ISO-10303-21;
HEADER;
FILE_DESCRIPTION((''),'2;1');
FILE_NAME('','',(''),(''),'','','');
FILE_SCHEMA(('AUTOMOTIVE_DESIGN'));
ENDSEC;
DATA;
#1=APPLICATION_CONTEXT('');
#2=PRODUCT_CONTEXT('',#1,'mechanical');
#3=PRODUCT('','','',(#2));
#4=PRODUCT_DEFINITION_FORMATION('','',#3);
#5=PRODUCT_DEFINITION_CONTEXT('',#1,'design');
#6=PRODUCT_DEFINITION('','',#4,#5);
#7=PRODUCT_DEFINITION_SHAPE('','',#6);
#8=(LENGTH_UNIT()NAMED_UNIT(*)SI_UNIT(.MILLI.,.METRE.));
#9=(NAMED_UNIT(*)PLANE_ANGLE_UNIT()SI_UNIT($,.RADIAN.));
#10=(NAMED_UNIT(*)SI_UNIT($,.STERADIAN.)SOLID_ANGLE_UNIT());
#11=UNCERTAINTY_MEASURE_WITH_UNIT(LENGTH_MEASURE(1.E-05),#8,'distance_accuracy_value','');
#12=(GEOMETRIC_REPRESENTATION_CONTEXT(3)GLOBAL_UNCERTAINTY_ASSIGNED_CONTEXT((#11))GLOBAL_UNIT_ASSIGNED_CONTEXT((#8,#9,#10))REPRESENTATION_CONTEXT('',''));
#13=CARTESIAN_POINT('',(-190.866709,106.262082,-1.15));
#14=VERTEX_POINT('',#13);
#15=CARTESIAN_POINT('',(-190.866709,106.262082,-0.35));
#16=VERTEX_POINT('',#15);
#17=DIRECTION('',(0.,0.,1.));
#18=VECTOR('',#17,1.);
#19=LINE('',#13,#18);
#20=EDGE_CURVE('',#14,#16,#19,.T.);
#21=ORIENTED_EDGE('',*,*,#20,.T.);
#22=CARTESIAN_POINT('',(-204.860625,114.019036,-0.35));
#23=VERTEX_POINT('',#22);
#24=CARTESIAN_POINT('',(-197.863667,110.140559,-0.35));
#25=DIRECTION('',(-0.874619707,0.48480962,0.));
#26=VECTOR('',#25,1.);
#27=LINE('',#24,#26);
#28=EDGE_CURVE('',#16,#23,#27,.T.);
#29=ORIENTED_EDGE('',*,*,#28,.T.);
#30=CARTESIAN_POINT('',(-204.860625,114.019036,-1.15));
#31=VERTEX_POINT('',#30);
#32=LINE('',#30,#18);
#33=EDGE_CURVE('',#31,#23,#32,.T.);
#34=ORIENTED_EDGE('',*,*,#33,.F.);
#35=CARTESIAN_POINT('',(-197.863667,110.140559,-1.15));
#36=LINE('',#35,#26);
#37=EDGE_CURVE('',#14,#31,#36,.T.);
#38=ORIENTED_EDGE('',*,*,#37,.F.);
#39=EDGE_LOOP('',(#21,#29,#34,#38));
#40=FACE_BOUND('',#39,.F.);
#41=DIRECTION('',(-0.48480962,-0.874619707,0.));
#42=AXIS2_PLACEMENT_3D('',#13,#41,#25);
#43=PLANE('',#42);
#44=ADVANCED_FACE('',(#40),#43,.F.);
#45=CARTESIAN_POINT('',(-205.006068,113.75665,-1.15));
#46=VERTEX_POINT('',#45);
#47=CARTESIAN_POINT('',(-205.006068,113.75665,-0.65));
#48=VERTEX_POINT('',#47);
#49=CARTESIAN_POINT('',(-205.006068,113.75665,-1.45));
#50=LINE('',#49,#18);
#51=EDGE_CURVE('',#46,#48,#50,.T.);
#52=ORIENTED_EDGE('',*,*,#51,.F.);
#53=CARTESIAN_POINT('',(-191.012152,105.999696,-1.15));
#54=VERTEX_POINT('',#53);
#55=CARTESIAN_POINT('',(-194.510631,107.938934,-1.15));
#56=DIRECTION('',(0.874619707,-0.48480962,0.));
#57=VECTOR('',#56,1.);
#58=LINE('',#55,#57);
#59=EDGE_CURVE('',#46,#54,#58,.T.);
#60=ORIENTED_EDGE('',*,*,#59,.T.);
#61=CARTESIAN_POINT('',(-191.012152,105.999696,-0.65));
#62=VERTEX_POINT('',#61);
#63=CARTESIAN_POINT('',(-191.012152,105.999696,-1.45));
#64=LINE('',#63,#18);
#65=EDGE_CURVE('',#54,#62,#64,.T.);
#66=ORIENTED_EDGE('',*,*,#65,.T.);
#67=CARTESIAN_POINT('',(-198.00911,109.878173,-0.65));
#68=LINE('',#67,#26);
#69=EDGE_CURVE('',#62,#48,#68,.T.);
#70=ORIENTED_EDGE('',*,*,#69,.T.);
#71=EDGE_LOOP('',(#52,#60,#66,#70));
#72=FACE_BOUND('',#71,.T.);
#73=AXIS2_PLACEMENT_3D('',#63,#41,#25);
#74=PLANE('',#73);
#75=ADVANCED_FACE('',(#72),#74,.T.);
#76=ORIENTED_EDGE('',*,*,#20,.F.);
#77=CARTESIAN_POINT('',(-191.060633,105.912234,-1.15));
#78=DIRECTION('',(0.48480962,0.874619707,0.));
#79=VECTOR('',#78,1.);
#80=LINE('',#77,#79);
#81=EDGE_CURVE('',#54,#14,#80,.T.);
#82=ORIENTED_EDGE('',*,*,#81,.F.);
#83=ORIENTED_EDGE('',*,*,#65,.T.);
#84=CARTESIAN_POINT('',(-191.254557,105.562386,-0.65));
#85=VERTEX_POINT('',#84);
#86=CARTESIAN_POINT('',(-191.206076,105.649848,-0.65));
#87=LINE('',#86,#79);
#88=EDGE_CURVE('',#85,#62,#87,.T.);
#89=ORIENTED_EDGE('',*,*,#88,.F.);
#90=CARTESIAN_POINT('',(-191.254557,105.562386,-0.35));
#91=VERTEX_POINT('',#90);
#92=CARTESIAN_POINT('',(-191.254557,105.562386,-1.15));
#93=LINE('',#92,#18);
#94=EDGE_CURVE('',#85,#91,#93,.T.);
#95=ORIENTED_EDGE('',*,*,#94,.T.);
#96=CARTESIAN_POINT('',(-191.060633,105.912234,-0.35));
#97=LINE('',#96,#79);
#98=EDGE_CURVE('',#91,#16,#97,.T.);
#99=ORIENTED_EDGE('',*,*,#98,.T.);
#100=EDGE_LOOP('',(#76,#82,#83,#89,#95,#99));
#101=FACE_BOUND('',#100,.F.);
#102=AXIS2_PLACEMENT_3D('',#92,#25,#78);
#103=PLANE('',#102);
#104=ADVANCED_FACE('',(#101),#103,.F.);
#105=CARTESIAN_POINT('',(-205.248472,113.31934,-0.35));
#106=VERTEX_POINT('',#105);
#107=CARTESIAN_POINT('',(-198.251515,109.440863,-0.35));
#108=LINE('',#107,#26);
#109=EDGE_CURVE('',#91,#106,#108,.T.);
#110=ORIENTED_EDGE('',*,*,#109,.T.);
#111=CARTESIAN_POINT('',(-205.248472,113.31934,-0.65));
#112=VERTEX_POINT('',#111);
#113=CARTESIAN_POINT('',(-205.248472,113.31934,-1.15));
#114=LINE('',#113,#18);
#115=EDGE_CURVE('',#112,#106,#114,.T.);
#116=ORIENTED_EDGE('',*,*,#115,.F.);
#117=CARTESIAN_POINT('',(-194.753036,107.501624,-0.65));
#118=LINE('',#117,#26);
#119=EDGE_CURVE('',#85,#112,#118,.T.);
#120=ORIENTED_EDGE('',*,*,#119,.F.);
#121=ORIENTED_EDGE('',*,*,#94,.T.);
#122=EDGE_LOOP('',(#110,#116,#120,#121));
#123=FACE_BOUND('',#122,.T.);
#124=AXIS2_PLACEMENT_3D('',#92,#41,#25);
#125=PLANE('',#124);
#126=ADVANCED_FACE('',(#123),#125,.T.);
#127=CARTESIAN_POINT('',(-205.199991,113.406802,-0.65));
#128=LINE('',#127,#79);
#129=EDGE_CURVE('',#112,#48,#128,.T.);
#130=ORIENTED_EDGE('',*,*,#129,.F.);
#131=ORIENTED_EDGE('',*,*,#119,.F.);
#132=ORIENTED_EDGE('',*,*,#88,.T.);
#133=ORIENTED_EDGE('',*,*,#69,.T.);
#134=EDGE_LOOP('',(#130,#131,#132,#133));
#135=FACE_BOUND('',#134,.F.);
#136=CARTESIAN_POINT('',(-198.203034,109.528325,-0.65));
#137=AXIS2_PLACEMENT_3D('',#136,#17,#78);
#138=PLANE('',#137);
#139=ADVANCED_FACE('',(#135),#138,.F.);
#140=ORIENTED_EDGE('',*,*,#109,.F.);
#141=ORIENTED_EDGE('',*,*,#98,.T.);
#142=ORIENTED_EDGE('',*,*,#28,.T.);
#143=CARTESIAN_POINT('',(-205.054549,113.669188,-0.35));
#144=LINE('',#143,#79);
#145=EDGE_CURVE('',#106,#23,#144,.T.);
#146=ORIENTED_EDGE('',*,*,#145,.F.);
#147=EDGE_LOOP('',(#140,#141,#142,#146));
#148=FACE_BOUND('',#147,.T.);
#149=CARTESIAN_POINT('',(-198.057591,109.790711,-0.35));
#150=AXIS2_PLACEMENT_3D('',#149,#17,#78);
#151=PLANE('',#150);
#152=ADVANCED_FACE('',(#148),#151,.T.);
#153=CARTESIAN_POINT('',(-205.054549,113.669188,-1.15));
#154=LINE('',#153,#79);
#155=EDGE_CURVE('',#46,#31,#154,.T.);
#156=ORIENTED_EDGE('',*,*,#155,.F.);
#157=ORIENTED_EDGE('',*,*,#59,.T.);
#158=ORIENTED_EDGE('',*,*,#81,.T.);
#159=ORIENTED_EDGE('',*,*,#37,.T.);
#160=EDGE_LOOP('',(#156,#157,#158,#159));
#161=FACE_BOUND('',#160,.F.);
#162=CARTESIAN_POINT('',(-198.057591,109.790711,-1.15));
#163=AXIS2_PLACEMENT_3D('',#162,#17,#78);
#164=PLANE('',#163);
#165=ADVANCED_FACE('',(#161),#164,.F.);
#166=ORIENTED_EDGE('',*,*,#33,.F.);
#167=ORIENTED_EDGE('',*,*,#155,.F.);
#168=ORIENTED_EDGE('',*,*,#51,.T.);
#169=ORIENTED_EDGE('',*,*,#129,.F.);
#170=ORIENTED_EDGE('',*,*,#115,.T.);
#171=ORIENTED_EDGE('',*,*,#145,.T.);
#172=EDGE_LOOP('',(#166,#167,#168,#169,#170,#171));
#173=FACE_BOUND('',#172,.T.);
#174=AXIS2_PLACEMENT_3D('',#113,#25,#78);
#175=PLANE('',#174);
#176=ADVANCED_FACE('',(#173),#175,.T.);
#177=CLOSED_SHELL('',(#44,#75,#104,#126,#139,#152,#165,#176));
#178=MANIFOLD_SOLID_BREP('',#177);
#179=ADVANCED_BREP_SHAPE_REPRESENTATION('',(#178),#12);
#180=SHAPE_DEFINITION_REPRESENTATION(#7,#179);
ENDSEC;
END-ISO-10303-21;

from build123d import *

# Parameters (mm, degrees)
BOX121_W               = 0.8
BOX121_H               = 16
BOX121_DEPTH           = 0.8
BOX122_W               = 0.8
BOX122_H               = 16
BOX122_DEPTH           = 0.8
CUT064_PLACEMENT_ANGLE = 61


with BuildPart() as cubo121:
    # Box121 → Box121 (new body)
    with BuildSketch(Plane.XY):
        with Locations((0.4, 8)):
            Rectangle(BOX121_W, BOX121_H)
    extrude(amount=BOX121_DEPTH)


with BuildPart() as perfil_l_2da_cara006:
    # Box122 → Box122 (new body)
    with BuildSketch(Plane(origin=(0.3, 0, 0.3), x_dir=(1, 0, 0), z_dir=(0, 0, 1))):
        with Locations((0.4, 8)):
            Rectangle(BOX122_W, BOX122_H)
    extrude(amount=BOX122_DEPTH)

    # Cut064: cut Cubo121
    add(cubo121.part, mode=Mode.SUBTRACT)


with BuildPart() as perfil_l_2da_cara006_1:
    # Cut064 placement: moved
    add(perfil_l_2da_cara006.part.moved(Location((-191.4, 105.3, -1.45))).rotate(Axis((-191.4, 105.3, -1.45), (0, 0, 1)), CUT064_PLACEMENT_ANGLE))


solid = perfil_l_2da_cara006_1.part
